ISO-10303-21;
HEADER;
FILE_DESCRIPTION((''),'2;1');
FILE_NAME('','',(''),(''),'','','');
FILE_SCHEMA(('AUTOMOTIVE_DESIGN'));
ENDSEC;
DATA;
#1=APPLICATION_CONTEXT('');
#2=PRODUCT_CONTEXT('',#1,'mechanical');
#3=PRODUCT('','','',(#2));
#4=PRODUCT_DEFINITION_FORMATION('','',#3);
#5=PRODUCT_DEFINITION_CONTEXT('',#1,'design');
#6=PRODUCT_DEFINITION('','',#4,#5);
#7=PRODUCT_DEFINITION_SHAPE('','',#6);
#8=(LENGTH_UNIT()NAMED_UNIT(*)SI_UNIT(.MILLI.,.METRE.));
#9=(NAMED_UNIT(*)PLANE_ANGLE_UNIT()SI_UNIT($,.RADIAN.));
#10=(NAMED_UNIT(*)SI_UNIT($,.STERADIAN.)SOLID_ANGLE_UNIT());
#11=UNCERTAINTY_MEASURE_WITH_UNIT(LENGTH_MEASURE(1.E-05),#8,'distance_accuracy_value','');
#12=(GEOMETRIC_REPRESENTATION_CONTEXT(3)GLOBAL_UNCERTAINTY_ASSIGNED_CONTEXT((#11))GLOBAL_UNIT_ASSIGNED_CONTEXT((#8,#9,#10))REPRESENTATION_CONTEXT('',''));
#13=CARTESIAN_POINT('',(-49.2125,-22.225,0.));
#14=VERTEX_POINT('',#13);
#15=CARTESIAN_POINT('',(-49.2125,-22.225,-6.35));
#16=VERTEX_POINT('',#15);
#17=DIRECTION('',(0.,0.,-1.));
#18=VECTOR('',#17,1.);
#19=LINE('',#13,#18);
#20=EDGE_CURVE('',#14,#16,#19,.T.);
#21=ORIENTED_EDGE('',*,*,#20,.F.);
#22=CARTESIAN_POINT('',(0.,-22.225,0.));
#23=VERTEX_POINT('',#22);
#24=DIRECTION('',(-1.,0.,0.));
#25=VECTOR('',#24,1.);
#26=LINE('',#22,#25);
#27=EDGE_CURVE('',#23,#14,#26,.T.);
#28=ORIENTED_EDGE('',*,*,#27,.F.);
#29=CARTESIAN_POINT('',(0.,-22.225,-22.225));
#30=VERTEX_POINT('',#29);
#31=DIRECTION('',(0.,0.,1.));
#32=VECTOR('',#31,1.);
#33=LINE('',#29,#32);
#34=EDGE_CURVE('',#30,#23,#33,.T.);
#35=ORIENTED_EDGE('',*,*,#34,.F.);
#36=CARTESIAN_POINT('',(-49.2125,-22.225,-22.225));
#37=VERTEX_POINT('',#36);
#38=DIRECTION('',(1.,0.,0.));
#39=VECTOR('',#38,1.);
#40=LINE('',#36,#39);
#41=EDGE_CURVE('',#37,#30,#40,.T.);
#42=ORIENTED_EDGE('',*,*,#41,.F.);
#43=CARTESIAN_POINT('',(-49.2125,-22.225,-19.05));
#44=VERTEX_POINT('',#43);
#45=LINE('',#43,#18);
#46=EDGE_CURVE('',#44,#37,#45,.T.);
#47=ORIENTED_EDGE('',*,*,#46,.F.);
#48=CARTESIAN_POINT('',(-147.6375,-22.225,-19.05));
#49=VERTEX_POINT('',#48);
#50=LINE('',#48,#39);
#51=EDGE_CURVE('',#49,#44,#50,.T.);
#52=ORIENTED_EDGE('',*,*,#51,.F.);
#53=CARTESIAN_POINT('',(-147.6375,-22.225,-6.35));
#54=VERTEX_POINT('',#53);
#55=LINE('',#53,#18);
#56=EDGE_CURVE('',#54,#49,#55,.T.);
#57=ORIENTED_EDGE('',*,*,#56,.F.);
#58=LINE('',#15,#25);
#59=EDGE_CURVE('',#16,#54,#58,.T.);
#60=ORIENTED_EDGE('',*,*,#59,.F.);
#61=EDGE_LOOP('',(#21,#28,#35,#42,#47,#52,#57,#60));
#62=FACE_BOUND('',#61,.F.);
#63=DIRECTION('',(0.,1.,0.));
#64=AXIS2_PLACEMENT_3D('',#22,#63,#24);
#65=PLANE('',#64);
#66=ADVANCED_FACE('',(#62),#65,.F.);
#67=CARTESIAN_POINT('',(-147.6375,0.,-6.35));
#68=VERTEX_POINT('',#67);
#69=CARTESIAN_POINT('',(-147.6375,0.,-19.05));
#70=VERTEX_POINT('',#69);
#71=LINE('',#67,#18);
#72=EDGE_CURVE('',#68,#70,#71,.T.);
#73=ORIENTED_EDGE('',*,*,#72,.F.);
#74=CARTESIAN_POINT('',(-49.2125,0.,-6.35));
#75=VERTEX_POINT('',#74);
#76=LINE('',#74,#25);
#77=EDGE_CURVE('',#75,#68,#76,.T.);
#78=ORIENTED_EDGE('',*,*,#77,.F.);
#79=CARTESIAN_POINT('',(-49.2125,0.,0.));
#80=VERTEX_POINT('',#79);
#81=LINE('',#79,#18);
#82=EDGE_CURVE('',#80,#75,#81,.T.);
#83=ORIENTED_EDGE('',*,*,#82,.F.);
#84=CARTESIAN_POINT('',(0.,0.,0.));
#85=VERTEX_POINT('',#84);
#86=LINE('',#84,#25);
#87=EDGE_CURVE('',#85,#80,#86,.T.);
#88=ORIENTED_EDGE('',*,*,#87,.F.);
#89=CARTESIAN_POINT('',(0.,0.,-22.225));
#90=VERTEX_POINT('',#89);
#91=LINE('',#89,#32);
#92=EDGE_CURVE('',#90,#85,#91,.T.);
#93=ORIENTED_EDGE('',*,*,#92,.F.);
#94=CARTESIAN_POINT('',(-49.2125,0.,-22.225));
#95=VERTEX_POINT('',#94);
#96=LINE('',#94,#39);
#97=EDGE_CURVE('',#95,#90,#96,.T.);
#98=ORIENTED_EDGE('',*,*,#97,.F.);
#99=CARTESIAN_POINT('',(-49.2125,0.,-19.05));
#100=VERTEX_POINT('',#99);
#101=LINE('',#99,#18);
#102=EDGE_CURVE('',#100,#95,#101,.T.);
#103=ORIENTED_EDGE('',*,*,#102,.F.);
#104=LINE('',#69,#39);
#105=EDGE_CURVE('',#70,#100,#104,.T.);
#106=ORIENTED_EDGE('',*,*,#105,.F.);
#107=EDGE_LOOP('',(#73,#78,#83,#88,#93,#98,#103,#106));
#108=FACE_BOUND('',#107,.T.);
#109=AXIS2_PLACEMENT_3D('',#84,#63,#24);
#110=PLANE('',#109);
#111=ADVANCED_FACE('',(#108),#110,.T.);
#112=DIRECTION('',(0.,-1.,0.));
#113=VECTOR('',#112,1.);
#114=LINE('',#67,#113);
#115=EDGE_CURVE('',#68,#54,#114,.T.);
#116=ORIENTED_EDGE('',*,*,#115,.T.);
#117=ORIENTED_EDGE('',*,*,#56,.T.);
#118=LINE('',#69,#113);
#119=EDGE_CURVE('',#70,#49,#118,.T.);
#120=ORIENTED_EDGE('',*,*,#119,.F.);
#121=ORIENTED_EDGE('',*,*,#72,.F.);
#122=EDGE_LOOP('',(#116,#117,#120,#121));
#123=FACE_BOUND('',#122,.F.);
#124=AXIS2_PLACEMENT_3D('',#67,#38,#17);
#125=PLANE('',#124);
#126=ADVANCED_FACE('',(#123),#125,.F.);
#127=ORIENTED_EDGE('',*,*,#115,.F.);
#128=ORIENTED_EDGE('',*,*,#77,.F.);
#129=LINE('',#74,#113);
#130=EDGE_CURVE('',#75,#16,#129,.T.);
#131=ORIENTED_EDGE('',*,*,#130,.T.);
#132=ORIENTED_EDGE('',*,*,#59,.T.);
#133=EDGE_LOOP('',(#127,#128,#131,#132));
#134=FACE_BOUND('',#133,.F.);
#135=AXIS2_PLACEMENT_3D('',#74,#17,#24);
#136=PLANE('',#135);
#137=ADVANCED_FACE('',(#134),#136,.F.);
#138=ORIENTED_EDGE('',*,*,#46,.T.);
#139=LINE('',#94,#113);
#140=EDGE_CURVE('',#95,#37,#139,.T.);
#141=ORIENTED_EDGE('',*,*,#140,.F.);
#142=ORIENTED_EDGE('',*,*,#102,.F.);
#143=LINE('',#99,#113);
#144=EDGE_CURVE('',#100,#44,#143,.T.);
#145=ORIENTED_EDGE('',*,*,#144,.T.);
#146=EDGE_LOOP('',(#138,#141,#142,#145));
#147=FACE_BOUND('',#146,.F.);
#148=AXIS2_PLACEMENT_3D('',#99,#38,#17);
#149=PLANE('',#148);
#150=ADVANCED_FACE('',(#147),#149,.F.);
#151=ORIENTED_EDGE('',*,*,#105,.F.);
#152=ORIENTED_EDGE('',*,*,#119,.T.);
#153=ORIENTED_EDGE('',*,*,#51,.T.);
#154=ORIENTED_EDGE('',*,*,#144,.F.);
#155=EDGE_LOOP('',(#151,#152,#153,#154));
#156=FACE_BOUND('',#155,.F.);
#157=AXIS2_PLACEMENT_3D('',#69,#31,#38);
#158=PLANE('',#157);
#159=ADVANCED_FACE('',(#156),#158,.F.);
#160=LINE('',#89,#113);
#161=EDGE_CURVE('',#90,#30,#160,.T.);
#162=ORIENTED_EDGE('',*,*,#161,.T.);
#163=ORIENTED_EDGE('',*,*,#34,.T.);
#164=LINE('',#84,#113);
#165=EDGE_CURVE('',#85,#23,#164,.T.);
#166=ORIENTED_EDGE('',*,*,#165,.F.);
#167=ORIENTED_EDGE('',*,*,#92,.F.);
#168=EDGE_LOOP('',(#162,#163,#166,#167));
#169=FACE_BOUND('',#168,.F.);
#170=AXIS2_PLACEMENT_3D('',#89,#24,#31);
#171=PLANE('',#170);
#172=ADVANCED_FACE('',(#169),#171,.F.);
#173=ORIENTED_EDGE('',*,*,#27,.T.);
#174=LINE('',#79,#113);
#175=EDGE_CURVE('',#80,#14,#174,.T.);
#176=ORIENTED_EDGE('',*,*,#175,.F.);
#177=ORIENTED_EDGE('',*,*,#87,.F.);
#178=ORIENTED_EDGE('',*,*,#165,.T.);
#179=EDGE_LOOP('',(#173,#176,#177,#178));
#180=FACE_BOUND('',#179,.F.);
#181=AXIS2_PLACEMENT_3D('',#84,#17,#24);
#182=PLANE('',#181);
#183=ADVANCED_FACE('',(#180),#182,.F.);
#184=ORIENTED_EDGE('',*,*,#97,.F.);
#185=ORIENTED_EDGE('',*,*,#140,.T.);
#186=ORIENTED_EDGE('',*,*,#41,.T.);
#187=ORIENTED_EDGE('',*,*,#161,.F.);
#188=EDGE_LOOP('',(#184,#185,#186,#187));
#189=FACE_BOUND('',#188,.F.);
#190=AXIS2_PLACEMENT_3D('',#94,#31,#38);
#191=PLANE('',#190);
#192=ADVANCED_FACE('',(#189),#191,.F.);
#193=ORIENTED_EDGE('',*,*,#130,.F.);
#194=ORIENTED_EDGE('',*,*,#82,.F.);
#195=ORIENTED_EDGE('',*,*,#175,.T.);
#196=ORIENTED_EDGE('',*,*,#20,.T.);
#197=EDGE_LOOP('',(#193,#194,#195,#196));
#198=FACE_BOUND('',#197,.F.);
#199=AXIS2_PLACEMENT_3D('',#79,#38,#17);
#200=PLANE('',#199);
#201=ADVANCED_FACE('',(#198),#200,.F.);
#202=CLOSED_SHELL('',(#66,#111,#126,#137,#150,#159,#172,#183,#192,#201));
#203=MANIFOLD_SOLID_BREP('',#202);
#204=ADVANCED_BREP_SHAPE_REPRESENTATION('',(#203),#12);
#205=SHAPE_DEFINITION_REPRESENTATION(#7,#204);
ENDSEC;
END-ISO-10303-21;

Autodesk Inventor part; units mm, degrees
ref_plane "YZ Plane" through (0, 0, 0) normal (1, 0, 0) x (0, 1, 0)
ref_plane "XZ Plane" through (0, 0, 0) normal (0, 1, 0) x (-1, 0, 0)
ref_plane "XY Plane" through (0, 0, 0) normal (0, 0, 1) x (1, 0, 0)
sketch "Sketch1" plane through (0, 0, 0) normal (0, 1, 0) x (-1, 0, 0)
  line L0 (0, 0) -> (49.2125, 0)
  line L1 (49.2125, 0) -> (49.2125, -6.35)
  line L2 (49.2125, -6.35) -> (147.6375, -6.35)
  line L3 (147.6375, -6.35) -> (147.6375, -19.05)
  line L4 (147.6375, -19.05) -> (49.2125, -19.05)
  line L5 (49.2125, -19.05) -> (49.2125, -22.225)
  line L6 (49.2125, -22.225) -> (0, -22.225)
  line L7 (0, -22.225) -> (0, 0)
  dimension "d0" = 22.225
  dimension "d1" = 147.6375
  dimension "d2" = 98.425
  dimension "d4" = 19.05
  dimension "d5" = 15.875
extrude "Extrusion1" add sketch "Sketch1" against normal blind 22.225
properties part number "Key--A"
